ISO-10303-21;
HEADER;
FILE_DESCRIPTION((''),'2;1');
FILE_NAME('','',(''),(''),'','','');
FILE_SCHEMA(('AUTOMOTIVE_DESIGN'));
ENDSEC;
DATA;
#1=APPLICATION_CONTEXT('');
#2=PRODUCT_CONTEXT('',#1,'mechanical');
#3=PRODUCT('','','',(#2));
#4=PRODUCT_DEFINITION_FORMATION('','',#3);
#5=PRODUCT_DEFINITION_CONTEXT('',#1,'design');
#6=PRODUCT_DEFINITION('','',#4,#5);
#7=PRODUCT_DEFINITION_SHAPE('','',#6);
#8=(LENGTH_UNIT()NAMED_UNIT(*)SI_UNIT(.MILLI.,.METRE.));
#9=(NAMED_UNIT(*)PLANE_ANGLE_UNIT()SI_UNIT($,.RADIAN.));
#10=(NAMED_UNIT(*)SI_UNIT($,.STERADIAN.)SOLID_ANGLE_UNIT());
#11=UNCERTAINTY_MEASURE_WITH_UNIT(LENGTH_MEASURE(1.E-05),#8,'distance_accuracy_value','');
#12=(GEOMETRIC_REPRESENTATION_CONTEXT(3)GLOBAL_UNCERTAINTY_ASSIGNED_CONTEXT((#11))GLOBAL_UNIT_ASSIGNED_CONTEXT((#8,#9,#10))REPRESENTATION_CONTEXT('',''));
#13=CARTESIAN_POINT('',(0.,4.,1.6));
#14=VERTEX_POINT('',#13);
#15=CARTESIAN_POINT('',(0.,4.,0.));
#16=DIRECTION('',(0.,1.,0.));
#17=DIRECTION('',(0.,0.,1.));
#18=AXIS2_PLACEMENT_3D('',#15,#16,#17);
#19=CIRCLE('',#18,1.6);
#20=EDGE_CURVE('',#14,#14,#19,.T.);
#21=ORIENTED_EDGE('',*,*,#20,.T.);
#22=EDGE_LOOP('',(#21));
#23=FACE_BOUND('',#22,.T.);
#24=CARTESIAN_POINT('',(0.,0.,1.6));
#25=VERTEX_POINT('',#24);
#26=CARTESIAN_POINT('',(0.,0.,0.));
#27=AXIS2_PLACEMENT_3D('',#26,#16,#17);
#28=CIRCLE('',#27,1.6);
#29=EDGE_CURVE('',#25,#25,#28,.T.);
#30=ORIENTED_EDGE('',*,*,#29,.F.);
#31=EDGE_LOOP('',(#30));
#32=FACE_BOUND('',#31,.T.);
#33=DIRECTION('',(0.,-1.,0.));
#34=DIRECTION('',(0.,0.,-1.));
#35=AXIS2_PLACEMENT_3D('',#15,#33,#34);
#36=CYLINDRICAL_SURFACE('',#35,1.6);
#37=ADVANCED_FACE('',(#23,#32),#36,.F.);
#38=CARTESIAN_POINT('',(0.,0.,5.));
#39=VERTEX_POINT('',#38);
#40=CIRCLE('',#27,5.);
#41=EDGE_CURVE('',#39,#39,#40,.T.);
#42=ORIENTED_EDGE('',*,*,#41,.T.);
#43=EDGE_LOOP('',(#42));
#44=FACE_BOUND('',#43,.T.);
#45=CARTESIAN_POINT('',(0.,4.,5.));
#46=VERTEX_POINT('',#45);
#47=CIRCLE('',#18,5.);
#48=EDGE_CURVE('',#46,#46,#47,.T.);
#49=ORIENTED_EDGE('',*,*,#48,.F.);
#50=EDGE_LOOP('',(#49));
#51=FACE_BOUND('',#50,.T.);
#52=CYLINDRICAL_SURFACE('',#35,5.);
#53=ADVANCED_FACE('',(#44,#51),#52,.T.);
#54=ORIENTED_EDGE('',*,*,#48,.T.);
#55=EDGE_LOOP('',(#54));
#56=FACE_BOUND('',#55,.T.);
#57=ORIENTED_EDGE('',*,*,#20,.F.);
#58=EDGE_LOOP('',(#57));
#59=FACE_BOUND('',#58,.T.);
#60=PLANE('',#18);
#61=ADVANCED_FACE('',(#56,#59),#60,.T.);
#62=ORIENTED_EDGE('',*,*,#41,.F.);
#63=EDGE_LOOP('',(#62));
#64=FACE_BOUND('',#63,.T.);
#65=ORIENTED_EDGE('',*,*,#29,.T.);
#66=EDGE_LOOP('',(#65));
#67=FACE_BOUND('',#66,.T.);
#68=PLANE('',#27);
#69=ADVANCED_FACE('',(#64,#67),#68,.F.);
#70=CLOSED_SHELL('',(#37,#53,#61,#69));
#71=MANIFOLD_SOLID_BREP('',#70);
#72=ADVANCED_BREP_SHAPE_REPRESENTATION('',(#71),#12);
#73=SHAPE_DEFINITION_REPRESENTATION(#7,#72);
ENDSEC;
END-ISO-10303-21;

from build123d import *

# Parameters (mm, degrees)
SKETCH_1_R      = 5
SKETCH_1_R_2    = 1.6
EXTRUDE_1_DEPTH = 4


with BuildPart() as part:
    # 草图1 → 凸台-拉伸1 (new body)
    with BuildSketch(Plane(origin=(0, 0, 0), x_dir=(1, 0, 0), z_dir=(0, 1, 0))):
        with Locations(Location((0, 0, 0), (0, 0, 270))):
            Circle(SKETCH_1_R)
        with Locations(Location((0, 0, 0), (0, 0, 270))):
            Circle(SKETCH_1_R_2, mode=Mode.SUBTRACT)
    extrude(amount=EXTRUDE_1_DEPTH)


solid = part.part
